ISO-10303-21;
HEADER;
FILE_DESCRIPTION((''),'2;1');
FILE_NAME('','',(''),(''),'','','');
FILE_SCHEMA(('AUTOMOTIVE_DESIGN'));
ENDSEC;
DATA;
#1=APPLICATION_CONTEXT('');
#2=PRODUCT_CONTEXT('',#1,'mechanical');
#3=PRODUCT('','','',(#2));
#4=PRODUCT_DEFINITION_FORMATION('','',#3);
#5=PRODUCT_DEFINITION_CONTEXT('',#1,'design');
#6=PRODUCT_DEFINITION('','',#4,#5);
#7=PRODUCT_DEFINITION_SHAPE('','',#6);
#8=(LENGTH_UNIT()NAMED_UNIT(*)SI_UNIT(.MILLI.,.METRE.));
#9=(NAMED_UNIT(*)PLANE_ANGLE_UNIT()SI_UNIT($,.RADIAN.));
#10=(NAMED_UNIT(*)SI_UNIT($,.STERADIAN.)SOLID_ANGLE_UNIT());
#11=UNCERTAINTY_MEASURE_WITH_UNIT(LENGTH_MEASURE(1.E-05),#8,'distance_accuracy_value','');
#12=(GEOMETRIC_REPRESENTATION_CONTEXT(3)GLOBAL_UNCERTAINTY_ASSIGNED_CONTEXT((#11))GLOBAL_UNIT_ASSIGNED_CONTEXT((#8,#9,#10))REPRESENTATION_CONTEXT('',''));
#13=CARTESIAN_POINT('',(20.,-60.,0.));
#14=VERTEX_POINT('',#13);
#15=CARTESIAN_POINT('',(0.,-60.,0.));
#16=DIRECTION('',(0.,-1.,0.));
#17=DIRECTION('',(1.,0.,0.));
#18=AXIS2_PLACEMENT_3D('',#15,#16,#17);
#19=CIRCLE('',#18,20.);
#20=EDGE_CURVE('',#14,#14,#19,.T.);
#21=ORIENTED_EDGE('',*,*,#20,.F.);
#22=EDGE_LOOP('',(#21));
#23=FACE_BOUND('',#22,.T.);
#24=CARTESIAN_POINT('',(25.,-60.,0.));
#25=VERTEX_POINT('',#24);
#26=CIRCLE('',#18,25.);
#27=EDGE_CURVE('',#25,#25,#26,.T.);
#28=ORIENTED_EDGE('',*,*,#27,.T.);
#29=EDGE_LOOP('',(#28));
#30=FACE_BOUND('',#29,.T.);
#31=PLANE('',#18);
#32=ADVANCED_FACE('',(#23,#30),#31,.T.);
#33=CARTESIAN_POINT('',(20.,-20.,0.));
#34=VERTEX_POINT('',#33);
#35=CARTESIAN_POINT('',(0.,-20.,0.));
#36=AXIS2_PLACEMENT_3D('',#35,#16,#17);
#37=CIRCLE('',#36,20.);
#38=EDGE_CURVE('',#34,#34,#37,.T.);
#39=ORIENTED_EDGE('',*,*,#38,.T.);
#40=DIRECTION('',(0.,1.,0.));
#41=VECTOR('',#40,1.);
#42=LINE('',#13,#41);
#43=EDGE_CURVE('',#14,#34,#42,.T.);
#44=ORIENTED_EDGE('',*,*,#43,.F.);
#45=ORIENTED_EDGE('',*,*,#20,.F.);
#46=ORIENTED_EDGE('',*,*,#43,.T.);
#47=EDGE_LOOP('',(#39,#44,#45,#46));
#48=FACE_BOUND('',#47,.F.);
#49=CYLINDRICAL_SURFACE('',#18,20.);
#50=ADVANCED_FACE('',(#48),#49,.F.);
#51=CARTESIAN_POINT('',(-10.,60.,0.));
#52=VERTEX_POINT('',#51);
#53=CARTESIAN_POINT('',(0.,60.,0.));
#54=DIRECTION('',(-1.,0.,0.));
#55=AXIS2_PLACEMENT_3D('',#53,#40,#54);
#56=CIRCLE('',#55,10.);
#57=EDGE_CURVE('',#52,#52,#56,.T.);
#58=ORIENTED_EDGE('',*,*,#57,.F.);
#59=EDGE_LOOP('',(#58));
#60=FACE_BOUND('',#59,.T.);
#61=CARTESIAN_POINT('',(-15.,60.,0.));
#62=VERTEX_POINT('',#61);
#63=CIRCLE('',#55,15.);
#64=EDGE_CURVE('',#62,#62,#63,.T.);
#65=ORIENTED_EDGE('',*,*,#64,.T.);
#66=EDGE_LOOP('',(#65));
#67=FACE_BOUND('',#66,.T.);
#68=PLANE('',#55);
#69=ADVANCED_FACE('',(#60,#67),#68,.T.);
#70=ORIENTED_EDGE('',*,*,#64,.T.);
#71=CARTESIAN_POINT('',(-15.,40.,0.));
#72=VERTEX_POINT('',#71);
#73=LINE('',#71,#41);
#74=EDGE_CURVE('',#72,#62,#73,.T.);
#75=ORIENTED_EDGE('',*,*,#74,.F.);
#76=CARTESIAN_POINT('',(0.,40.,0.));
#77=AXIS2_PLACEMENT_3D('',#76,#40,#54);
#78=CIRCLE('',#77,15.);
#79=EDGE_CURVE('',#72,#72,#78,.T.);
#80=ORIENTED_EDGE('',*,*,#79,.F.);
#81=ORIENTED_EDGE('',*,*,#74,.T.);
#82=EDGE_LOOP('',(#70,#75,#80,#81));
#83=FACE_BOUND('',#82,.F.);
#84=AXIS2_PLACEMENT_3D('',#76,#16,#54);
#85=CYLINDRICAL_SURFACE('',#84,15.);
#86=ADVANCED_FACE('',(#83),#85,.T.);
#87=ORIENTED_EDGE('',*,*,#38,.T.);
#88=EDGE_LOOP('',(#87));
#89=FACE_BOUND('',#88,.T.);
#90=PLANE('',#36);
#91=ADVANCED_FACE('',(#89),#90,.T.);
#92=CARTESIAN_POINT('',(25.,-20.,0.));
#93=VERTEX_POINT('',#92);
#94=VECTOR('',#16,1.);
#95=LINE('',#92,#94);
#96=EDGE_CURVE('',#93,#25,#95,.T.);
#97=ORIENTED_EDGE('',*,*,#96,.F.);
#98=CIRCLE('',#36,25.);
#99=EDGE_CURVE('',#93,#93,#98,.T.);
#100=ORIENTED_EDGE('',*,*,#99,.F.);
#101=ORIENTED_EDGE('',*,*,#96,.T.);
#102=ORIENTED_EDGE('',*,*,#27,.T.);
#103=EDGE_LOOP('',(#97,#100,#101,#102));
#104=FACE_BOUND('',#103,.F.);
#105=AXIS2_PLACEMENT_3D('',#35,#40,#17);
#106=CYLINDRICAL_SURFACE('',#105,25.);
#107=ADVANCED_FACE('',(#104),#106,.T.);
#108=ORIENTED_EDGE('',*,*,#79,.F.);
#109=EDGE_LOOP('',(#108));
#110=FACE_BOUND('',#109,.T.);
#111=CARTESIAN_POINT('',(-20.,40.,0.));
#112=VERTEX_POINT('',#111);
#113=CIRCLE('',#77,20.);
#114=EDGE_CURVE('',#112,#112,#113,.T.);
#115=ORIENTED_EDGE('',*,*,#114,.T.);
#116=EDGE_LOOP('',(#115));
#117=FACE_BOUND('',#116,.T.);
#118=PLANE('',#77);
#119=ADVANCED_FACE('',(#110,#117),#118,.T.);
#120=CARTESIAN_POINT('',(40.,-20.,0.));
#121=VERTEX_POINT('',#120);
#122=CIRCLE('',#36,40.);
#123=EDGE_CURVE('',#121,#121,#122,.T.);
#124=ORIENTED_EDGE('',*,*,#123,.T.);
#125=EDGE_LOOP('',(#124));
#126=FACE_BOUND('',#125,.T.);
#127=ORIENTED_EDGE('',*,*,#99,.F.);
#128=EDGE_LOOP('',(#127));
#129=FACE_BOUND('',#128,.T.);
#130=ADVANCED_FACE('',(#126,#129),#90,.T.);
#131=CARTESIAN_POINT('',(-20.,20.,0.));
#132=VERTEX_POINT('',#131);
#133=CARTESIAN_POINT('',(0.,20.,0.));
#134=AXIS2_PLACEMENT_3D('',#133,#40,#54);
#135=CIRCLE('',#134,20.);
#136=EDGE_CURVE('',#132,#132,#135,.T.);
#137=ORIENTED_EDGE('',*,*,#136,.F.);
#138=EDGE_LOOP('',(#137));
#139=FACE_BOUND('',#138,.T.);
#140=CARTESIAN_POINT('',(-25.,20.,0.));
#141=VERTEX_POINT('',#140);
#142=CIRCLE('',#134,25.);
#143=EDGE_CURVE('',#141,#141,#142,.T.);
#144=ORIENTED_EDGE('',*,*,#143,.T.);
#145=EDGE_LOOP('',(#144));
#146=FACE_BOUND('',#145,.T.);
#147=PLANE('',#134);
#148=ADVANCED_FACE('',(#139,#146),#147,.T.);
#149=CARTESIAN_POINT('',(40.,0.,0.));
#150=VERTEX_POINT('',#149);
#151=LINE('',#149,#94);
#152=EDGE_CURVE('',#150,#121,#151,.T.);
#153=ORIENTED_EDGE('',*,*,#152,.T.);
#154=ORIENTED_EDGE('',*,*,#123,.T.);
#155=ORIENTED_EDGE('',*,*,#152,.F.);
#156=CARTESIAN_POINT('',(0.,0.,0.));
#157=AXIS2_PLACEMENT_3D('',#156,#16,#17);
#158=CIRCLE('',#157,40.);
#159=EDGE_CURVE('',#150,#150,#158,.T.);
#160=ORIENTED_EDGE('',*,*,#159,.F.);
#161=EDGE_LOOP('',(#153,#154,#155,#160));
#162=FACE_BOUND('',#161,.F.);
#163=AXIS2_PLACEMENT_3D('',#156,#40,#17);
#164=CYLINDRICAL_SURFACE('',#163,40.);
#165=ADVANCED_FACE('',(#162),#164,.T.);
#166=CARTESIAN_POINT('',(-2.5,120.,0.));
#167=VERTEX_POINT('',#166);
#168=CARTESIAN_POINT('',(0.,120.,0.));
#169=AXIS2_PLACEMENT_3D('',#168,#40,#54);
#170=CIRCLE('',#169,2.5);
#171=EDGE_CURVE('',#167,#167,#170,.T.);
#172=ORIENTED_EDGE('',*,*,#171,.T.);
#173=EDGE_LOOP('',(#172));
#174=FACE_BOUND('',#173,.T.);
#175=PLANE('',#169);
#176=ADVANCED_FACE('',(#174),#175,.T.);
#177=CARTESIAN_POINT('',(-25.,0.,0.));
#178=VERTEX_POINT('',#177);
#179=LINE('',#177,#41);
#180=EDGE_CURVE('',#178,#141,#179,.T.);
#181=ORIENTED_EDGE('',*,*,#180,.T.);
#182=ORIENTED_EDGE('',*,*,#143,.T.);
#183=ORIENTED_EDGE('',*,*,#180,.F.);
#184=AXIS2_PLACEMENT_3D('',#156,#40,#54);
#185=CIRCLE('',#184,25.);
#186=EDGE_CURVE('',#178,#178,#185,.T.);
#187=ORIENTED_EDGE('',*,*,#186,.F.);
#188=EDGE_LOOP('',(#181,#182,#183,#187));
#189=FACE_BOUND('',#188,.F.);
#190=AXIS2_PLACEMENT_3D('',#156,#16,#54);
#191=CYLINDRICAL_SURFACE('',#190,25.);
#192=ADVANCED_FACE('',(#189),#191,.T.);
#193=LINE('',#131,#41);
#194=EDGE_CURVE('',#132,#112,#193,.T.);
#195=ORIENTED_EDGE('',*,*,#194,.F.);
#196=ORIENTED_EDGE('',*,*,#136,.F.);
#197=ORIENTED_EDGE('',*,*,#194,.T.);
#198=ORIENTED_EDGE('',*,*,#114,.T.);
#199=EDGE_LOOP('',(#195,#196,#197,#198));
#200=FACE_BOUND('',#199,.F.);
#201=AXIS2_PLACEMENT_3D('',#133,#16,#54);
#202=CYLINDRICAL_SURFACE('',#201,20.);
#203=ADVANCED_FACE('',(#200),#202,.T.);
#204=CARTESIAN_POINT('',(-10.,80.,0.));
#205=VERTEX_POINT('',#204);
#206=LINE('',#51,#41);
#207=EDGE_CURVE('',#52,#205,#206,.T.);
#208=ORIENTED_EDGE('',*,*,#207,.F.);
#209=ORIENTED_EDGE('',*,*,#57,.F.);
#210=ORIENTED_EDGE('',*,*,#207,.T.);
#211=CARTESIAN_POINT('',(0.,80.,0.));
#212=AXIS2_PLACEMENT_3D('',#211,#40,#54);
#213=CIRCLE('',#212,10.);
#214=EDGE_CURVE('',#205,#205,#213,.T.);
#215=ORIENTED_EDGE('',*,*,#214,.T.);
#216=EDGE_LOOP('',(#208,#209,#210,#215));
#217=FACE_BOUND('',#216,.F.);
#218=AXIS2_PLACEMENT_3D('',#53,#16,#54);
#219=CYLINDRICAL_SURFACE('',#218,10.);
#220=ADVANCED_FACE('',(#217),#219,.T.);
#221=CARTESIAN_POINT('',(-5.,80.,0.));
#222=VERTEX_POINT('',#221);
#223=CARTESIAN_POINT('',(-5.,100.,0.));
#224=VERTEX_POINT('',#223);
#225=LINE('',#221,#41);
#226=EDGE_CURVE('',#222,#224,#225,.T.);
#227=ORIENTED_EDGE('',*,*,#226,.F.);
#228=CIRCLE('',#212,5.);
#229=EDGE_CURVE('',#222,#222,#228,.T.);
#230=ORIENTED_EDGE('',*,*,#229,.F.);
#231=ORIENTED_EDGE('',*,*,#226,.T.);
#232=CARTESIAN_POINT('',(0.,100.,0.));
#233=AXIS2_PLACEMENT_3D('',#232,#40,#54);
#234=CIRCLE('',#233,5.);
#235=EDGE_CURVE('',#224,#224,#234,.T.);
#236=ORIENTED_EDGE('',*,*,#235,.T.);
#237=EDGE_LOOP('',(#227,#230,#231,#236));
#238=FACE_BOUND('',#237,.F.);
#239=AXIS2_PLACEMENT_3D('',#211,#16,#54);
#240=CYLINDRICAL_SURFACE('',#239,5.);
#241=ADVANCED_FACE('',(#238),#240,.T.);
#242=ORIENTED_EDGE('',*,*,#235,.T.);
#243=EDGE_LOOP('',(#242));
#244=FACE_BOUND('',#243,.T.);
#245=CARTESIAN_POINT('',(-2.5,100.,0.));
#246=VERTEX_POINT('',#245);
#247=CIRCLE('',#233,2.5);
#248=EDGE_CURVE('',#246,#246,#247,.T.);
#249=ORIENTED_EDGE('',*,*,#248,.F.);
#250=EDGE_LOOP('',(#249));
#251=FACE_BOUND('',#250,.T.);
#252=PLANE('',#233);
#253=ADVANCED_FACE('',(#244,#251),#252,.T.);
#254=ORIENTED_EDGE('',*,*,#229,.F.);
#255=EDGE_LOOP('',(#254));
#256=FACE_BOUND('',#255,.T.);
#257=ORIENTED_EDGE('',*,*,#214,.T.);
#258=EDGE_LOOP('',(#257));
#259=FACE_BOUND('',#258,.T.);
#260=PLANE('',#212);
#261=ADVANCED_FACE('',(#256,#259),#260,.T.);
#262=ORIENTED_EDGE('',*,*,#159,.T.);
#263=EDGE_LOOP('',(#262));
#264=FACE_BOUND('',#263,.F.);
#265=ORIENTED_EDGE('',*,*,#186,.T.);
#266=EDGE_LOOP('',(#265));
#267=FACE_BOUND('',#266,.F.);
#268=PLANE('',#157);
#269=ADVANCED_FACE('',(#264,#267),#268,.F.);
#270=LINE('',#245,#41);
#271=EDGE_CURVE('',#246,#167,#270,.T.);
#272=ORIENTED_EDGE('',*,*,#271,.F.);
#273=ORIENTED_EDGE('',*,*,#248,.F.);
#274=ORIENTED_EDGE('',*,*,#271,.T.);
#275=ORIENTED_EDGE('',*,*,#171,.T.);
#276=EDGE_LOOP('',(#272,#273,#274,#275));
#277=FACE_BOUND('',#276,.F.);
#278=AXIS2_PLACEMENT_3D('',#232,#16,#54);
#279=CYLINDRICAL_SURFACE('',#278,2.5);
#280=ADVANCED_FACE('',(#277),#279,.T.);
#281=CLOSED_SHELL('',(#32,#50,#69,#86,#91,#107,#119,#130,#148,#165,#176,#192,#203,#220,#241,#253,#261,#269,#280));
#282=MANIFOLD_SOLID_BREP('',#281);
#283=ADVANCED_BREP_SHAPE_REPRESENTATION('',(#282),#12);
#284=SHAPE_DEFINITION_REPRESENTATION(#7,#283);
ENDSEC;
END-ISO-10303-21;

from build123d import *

# Parameters (mm, degrees)
F0_R      = 40
F1_DEPTH  = 20
F2_R      = 25
F3_DEPTH  = 40
F4_R      = 20
F5_DEPTH  = 40
F6_R      = 25
F7_DEPTH  = 20
F8_R      = 20
F9_DEPTH  = 20
F10_R     = 15
F11_DEPTH = 20
F12_R     = 10
F13_DEPTH = 20
F14_R     = 5
F15_DEPTH = 20
F16_R     = 2.5
F17_DEPTH = 20


with BuildPart() as f1:
    # F0 (on Front) → F1 (new body)
    with BuildSketch(Plane.XZ):
        Circle(F0_R)
    extrude(amount=F1_DEPTH)

    # F2 (on face) → F3 (join)
    with BuildSketch(Plane.XZ.offset(20)):
        Circle(F2_R)
    extrude(amount=F3_DEPTH)

    # F4 (on face) → F5 (cut)
    with BuildSketch(Plane.XZ.offset(60)):
        Circle(F4_R)
    extrude(amount=-F5_DEPTH, mode=Mode.SUBTRACT)

    # F6 (on face) → F7 (join)
    with BuildSketch(Plane(origin=(0, 0, 0), x_dir=(-1, 0, 0), z_dir=(0, 1, 0))):
        Circle(F6_R)
    extrude(amount=F7_DEPTH)

    # F8 (on face) → F9 (join)
    with BuildSketch(Plane(origin=(0, 20, 0), x_dir=(-1, 0, 0), z_dir=(0, 1, 0))):
        Circle(F8_R)
    extrude(amount=F9_DEPTH)

    # F10 (on face) → F11 (join)
    with BuildSketch(Plane(origin=(0, 40, 0), x_dir=(-1, 0, 0), z_dir=(0, 1, 0))):
        Circle(F10_R)
    extrude(amount=F11_DEPTH)

    # F12 (on face) → F13 (join)
    with BuildSketch(Plane(origin=(0, 60, 0), x_dir=(-1, 0, 0), z_dir=(0, 1, 0))):
        Circle(F12_R)
    extrude(amount=F13_DEPTH)

    # F14 (on face) → F15 (join)
    with BuildSketch(Plane(origin=(0, 80, 0), x_dir=(-1, 0, 0), z_dir=(0, 1, 0))):
        Circle(F14_R)
    extrude(amount=F15_DEPTH)

    # F16 (on face) → F17 (join)
    with BuildSketch(Plane(origin=(0, 100, 0), x_dir=(-1, 0, 0), z_dir=(0, 1, 0))):
        Circle(F16_R)
    extrude(amount=F17_DEPTH)


solid = f1.part
